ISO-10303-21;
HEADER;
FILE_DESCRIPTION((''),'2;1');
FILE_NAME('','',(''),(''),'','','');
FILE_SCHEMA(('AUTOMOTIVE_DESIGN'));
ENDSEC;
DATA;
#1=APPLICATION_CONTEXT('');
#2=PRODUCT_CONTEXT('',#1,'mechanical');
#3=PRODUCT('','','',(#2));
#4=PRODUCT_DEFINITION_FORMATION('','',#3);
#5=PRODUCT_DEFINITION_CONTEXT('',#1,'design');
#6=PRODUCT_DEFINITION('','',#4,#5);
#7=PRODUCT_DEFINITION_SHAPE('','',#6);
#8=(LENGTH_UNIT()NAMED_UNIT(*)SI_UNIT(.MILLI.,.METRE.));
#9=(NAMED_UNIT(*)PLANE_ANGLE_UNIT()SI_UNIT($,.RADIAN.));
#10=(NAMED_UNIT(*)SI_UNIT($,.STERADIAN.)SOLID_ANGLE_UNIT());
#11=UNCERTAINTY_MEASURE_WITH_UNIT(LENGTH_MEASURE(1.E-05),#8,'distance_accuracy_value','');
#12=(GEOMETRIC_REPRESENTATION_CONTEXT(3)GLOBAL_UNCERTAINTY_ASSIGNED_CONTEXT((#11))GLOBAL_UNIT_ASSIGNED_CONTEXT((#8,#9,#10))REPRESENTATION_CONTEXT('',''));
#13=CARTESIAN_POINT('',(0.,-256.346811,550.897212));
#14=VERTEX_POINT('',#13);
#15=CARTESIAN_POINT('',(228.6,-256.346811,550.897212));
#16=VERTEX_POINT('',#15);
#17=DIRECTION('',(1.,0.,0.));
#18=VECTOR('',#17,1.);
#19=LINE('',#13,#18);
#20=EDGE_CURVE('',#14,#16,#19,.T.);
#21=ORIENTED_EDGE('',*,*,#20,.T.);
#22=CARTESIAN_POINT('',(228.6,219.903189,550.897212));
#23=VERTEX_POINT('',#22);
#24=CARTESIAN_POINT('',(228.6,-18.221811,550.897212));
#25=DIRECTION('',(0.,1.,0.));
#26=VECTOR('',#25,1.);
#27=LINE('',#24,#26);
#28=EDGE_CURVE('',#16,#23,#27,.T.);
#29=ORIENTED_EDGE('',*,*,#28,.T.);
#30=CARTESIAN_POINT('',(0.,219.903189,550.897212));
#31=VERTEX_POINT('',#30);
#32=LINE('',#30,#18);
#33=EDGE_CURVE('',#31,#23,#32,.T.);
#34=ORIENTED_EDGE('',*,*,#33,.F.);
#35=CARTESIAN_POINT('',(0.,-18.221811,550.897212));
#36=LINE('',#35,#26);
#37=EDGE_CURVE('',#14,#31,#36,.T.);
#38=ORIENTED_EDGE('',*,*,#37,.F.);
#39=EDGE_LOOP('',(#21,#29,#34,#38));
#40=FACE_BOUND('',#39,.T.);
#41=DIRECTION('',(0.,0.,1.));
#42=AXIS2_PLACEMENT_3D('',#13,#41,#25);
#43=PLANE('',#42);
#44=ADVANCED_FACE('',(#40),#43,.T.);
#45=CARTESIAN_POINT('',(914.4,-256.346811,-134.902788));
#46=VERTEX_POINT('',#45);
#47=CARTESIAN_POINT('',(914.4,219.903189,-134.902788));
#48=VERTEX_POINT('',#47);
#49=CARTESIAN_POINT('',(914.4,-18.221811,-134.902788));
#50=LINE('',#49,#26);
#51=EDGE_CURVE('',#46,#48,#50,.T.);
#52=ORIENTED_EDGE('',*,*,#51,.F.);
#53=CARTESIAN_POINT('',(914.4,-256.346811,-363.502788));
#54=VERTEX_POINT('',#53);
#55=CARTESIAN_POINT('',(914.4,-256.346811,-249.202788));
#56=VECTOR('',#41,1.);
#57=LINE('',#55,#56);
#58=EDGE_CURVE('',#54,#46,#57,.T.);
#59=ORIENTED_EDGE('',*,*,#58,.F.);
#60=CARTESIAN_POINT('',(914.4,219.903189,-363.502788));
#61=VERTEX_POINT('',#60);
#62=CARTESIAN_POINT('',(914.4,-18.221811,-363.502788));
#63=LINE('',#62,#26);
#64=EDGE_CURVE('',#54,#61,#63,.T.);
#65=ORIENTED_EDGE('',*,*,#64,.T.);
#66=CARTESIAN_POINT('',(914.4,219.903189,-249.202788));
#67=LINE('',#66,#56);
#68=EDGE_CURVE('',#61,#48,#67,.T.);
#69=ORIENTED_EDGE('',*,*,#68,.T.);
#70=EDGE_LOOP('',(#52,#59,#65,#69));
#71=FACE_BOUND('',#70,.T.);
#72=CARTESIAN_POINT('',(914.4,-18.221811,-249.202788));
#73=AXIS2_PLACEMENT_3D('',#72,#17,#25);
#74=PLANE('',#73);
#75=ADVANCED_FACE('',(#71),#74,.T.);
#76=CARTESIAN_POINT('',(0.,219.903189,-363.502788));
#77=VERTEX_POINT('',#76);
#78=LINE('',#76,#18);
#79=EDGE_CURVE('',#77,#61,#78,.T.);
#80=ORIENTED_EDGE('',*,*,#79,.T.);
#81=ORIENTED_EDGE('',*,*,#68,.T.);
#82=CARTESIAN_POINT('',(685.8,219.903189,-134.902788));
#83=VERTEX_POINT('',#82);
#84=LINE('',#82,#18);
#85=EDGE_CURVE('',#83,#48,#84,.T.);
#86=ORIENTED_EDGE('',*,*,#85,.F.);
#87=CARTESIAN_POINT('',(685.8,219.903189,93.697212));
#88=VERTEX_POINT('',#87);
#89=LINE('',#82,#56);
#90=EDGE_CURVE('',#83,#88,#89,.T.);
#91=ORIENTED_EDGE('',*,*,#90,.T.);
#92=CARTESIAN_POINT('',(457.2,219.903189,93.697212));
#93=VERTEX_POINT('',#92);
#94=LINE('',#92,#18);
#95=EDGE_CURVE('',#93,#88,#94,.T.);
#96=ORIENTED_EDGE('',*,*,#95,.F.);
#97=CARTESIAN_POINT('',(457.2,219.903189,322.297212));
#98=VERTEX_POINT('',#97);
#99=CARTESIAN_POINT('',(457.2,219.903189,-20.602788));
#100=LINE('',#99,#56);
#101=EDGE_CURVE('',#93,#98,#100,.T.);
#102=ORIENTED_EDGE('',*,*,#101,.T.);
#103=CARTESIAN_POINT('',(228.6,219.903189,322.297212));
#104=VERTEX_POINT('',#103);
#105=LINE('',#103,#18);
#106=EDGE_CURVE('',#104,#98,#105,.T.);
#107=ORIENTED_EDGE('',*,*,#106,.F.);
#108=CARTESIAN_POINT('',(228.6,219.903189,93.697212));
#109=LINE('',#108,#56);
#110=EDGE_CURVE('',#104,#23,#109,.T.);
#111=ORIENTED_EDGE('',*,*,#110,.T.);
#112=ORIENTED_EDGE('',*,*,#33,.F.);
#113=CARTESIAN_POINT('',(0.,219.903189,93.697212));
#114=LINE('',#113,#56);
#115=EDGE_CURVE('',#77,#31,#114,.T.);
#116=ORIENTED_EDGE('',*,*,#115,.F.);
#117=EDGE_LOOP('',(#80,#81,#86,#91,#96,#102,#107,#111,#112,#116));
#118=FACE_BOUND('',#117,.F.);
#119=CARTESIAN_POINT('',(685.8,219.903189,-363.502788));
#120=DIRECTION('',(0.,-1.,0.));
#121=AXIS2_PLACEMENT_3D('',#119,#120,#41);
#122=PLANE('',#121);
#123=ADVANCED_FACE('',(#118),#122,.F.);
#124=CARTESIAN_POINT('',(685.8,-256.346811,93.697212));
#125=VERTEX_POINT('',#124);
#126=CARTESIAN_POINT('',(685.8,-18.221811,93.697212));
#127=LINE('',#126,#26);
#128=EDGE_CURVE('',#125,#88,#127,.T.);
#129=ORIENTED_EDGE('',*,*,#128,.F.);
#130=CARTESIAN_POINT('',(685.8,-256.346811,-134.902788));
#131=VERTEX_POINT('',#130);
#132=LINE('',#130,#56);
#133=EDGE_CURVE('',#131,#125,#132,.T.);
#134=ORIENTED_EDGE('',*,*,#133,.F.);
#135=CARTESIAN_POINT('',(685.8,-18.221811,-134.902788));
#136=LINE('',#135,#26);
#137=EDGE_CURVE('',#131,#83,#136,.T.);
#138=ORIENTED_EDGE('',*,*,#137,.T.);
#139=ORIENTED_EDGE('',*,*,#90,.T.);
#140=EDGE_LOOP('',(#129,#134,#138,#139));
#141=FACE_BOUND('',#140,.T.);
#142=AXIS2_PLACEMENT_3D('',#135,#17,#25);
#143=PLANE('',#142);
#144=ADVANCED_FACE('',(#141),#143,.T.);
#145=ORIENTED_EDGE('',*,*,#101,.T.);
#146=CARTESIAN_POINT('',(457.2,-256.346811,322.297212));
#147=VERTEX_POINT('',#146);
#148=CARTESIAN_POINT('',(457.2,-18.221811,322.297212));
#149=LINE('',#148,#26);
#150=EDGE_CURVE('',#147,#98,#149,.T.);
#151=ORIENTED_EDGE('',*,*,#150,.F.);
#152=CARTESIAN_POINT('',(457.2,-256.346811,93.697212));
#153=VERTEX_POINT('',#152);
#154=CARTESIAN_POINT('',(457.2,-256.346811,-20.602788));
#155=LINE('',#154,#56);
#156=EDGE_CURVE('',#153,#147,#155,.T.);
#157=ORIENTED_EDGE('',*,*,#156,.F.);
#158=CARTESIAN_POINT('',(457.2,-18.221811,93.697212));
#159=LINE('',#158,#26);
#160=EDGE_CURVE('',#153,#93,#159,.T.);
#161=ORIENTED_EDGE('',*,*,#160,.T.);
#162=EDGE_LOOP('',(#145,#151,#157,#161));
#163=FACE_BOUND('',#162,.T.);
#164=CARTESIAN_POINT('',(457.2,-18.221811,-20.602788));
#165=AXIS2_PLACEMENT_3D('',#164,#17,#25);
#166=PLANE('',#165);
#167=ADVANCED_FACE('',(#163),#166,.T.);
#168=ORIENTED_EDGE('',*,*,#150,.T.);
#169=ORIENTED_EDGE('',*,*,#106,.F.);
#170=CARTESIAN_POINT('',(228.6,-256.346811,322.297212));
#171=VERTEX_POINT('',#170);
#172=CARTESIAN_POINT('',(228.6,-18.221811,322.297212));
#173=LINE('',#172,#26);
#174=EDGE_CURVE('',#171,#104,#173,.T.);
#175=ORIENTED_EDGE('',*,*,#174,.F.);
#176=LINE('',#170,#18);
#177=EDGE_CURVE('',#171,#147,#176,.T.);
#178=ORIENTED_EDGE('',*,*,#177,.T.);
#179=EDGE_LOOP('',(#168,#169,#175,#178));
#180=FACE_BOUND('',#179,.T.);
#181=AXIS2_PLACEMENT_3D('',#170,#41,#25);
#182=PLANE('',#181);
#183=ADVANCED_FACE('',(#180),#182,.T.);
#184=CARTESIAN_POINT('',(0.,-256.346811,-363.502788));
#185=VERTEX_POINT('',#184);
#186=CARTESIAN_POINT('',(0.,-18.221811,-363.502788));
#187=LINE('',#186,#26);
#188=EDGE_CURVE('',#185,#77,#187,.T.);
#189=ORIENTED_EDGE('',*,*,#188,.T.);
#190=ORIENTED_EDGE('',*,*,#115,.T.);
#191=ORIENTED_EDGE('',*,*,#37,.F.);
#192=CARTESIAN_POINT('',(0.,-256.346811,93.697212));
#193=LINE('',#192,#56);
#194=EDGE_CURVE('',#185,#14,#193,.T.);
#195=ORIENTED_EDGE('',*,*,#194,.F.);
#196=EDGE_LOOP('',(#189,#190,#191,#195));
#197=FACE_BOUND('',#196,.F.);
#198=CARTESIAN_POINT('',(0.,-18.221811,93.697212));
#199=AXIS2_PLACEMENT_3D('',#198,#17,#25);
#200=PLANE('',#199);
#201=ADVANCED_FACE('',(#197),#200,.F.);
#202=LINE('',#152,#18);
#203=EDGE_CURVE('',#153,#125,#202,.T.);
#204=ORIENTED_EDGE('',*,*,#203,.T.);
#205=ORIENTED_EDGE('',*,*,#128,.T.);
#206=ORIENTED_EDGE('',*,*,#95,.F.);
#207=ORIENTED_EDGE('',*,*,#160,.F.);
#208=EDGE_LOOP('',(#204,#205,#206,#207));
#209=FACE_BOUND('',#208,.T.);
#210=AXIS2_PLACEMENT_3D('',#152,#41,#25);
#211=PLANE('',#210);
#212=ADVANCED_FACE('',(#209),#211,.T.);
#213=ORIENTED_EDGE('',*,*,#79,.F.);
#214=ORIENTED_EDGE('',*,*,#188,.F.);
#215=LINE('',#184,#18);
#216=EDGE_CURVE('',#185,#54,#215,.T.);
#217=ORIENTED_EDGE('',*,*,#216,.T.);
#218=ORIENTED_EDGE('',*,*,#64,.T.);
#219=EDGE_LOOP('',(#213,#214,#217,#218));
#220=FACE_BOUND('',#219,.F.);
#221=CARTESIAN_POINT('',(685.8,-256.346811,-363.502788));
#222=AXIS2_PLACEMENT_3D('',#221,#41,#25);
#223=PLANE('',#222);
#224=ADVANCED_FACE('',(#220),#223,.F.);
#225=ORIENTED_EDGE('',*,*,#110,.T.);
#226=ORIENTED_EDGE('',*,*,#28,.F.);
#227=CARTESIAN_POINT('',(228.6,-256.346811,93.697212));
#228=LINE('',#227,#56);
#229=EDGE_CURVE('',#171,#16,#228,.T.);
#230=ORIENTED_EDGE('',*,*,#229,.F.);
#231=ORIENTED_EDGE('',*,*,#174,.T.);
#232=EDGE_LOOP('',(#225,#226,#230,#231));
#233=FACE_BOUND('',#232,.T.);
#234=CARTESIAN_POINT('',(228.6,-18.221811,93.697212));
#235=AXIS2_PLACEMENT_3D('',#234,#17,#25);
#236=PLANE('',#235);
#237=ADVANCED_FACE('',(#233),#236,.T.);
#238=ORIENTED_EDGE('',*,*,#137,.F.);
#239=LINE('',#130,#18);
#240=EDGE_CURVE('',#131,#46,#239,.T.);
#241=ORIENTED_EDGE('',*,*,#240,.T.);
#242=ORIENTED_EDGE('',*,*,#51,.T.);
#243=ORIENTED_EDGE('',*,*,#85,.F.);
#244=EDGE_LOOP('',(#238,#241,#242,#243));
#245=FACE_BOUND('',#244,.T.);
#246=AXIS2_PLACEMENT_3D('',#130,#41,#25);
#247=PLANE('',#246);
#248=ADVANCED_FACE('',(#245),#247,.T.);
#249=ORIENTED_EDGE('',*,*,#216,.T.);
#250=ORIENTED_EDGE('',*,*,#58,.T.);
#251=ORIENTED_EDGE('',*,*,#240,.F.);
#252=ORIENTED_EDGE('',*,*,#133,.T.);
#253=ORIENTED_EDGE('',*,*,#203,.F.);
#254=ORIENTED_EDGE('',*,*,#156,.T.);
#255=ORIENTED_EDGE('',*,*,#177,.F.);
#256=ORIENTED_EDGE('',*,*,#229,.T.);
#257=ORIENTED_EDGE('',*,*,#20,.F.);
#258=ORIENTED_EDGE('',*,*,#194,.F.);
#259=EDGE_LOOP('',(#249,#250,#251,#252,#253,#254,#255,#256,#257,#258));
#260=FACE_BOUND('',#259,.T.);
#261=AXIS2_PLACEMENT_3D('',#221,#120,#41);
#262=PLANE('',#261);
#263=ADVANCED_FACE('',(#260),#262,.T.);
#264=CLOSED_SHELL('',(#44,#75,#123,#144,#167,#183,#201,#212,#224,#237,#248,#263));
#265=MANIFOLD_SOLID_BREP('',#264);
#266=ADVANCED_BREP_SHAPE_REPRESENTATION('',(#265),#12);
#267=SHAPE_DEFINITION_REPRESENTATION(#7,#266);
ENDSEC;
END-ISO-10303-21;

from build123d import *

# Parameters (mm, degrees)
F0_W     = 476.25
F0_H     = 914.4
F1_DEPTH = 228.6
F2_W     = 476.25
F2_H     = 685.8
F3_DEPTH = 228.6
F4_W     = 476.25
F4_H     = 457.2
F5_DEPTH = 228.6
F6_W     = 476.25
F6_H     = 228.6
F7_DEPTH = 228.6


with BuildPart() as f1:
    # F0 (on Right) → F1 (new body)
    with BuildSketch(Plane.YZ):
        with Locations((-18.221811, 93.697212)):
            Rectangle(F0_W, F0_H)
    extrude(amount=F1_DEPTH)

    # F2 (on face) → F3 (join)
    with BuildSketch(Plane.YZ.offset(228.6)):
        with Locations((-18.221811, -20.602788)):
            Rectangle(F2_W, F2_H)
    extrude(amount=F3_DEPTH)

    # F4 (on face) → F5 (join)
    with BuildSketch(Plane.YZ.offset(457.2)):
        with Locations((-18.221811, -134.902788)):
            Rectangle(F4_W, F4_H)
    extrude(amount=F5_DEPTH)

    # F6 (on face) → F7 (join)
    with BuildSketch(Plane.YZ.offset(685.8)):
        with Locations((-18.221811, -249.202788)):
            Rectangle(F6_W, F6_H)
    extrude(amount=F7_DEPTH)


solid = f1.part
